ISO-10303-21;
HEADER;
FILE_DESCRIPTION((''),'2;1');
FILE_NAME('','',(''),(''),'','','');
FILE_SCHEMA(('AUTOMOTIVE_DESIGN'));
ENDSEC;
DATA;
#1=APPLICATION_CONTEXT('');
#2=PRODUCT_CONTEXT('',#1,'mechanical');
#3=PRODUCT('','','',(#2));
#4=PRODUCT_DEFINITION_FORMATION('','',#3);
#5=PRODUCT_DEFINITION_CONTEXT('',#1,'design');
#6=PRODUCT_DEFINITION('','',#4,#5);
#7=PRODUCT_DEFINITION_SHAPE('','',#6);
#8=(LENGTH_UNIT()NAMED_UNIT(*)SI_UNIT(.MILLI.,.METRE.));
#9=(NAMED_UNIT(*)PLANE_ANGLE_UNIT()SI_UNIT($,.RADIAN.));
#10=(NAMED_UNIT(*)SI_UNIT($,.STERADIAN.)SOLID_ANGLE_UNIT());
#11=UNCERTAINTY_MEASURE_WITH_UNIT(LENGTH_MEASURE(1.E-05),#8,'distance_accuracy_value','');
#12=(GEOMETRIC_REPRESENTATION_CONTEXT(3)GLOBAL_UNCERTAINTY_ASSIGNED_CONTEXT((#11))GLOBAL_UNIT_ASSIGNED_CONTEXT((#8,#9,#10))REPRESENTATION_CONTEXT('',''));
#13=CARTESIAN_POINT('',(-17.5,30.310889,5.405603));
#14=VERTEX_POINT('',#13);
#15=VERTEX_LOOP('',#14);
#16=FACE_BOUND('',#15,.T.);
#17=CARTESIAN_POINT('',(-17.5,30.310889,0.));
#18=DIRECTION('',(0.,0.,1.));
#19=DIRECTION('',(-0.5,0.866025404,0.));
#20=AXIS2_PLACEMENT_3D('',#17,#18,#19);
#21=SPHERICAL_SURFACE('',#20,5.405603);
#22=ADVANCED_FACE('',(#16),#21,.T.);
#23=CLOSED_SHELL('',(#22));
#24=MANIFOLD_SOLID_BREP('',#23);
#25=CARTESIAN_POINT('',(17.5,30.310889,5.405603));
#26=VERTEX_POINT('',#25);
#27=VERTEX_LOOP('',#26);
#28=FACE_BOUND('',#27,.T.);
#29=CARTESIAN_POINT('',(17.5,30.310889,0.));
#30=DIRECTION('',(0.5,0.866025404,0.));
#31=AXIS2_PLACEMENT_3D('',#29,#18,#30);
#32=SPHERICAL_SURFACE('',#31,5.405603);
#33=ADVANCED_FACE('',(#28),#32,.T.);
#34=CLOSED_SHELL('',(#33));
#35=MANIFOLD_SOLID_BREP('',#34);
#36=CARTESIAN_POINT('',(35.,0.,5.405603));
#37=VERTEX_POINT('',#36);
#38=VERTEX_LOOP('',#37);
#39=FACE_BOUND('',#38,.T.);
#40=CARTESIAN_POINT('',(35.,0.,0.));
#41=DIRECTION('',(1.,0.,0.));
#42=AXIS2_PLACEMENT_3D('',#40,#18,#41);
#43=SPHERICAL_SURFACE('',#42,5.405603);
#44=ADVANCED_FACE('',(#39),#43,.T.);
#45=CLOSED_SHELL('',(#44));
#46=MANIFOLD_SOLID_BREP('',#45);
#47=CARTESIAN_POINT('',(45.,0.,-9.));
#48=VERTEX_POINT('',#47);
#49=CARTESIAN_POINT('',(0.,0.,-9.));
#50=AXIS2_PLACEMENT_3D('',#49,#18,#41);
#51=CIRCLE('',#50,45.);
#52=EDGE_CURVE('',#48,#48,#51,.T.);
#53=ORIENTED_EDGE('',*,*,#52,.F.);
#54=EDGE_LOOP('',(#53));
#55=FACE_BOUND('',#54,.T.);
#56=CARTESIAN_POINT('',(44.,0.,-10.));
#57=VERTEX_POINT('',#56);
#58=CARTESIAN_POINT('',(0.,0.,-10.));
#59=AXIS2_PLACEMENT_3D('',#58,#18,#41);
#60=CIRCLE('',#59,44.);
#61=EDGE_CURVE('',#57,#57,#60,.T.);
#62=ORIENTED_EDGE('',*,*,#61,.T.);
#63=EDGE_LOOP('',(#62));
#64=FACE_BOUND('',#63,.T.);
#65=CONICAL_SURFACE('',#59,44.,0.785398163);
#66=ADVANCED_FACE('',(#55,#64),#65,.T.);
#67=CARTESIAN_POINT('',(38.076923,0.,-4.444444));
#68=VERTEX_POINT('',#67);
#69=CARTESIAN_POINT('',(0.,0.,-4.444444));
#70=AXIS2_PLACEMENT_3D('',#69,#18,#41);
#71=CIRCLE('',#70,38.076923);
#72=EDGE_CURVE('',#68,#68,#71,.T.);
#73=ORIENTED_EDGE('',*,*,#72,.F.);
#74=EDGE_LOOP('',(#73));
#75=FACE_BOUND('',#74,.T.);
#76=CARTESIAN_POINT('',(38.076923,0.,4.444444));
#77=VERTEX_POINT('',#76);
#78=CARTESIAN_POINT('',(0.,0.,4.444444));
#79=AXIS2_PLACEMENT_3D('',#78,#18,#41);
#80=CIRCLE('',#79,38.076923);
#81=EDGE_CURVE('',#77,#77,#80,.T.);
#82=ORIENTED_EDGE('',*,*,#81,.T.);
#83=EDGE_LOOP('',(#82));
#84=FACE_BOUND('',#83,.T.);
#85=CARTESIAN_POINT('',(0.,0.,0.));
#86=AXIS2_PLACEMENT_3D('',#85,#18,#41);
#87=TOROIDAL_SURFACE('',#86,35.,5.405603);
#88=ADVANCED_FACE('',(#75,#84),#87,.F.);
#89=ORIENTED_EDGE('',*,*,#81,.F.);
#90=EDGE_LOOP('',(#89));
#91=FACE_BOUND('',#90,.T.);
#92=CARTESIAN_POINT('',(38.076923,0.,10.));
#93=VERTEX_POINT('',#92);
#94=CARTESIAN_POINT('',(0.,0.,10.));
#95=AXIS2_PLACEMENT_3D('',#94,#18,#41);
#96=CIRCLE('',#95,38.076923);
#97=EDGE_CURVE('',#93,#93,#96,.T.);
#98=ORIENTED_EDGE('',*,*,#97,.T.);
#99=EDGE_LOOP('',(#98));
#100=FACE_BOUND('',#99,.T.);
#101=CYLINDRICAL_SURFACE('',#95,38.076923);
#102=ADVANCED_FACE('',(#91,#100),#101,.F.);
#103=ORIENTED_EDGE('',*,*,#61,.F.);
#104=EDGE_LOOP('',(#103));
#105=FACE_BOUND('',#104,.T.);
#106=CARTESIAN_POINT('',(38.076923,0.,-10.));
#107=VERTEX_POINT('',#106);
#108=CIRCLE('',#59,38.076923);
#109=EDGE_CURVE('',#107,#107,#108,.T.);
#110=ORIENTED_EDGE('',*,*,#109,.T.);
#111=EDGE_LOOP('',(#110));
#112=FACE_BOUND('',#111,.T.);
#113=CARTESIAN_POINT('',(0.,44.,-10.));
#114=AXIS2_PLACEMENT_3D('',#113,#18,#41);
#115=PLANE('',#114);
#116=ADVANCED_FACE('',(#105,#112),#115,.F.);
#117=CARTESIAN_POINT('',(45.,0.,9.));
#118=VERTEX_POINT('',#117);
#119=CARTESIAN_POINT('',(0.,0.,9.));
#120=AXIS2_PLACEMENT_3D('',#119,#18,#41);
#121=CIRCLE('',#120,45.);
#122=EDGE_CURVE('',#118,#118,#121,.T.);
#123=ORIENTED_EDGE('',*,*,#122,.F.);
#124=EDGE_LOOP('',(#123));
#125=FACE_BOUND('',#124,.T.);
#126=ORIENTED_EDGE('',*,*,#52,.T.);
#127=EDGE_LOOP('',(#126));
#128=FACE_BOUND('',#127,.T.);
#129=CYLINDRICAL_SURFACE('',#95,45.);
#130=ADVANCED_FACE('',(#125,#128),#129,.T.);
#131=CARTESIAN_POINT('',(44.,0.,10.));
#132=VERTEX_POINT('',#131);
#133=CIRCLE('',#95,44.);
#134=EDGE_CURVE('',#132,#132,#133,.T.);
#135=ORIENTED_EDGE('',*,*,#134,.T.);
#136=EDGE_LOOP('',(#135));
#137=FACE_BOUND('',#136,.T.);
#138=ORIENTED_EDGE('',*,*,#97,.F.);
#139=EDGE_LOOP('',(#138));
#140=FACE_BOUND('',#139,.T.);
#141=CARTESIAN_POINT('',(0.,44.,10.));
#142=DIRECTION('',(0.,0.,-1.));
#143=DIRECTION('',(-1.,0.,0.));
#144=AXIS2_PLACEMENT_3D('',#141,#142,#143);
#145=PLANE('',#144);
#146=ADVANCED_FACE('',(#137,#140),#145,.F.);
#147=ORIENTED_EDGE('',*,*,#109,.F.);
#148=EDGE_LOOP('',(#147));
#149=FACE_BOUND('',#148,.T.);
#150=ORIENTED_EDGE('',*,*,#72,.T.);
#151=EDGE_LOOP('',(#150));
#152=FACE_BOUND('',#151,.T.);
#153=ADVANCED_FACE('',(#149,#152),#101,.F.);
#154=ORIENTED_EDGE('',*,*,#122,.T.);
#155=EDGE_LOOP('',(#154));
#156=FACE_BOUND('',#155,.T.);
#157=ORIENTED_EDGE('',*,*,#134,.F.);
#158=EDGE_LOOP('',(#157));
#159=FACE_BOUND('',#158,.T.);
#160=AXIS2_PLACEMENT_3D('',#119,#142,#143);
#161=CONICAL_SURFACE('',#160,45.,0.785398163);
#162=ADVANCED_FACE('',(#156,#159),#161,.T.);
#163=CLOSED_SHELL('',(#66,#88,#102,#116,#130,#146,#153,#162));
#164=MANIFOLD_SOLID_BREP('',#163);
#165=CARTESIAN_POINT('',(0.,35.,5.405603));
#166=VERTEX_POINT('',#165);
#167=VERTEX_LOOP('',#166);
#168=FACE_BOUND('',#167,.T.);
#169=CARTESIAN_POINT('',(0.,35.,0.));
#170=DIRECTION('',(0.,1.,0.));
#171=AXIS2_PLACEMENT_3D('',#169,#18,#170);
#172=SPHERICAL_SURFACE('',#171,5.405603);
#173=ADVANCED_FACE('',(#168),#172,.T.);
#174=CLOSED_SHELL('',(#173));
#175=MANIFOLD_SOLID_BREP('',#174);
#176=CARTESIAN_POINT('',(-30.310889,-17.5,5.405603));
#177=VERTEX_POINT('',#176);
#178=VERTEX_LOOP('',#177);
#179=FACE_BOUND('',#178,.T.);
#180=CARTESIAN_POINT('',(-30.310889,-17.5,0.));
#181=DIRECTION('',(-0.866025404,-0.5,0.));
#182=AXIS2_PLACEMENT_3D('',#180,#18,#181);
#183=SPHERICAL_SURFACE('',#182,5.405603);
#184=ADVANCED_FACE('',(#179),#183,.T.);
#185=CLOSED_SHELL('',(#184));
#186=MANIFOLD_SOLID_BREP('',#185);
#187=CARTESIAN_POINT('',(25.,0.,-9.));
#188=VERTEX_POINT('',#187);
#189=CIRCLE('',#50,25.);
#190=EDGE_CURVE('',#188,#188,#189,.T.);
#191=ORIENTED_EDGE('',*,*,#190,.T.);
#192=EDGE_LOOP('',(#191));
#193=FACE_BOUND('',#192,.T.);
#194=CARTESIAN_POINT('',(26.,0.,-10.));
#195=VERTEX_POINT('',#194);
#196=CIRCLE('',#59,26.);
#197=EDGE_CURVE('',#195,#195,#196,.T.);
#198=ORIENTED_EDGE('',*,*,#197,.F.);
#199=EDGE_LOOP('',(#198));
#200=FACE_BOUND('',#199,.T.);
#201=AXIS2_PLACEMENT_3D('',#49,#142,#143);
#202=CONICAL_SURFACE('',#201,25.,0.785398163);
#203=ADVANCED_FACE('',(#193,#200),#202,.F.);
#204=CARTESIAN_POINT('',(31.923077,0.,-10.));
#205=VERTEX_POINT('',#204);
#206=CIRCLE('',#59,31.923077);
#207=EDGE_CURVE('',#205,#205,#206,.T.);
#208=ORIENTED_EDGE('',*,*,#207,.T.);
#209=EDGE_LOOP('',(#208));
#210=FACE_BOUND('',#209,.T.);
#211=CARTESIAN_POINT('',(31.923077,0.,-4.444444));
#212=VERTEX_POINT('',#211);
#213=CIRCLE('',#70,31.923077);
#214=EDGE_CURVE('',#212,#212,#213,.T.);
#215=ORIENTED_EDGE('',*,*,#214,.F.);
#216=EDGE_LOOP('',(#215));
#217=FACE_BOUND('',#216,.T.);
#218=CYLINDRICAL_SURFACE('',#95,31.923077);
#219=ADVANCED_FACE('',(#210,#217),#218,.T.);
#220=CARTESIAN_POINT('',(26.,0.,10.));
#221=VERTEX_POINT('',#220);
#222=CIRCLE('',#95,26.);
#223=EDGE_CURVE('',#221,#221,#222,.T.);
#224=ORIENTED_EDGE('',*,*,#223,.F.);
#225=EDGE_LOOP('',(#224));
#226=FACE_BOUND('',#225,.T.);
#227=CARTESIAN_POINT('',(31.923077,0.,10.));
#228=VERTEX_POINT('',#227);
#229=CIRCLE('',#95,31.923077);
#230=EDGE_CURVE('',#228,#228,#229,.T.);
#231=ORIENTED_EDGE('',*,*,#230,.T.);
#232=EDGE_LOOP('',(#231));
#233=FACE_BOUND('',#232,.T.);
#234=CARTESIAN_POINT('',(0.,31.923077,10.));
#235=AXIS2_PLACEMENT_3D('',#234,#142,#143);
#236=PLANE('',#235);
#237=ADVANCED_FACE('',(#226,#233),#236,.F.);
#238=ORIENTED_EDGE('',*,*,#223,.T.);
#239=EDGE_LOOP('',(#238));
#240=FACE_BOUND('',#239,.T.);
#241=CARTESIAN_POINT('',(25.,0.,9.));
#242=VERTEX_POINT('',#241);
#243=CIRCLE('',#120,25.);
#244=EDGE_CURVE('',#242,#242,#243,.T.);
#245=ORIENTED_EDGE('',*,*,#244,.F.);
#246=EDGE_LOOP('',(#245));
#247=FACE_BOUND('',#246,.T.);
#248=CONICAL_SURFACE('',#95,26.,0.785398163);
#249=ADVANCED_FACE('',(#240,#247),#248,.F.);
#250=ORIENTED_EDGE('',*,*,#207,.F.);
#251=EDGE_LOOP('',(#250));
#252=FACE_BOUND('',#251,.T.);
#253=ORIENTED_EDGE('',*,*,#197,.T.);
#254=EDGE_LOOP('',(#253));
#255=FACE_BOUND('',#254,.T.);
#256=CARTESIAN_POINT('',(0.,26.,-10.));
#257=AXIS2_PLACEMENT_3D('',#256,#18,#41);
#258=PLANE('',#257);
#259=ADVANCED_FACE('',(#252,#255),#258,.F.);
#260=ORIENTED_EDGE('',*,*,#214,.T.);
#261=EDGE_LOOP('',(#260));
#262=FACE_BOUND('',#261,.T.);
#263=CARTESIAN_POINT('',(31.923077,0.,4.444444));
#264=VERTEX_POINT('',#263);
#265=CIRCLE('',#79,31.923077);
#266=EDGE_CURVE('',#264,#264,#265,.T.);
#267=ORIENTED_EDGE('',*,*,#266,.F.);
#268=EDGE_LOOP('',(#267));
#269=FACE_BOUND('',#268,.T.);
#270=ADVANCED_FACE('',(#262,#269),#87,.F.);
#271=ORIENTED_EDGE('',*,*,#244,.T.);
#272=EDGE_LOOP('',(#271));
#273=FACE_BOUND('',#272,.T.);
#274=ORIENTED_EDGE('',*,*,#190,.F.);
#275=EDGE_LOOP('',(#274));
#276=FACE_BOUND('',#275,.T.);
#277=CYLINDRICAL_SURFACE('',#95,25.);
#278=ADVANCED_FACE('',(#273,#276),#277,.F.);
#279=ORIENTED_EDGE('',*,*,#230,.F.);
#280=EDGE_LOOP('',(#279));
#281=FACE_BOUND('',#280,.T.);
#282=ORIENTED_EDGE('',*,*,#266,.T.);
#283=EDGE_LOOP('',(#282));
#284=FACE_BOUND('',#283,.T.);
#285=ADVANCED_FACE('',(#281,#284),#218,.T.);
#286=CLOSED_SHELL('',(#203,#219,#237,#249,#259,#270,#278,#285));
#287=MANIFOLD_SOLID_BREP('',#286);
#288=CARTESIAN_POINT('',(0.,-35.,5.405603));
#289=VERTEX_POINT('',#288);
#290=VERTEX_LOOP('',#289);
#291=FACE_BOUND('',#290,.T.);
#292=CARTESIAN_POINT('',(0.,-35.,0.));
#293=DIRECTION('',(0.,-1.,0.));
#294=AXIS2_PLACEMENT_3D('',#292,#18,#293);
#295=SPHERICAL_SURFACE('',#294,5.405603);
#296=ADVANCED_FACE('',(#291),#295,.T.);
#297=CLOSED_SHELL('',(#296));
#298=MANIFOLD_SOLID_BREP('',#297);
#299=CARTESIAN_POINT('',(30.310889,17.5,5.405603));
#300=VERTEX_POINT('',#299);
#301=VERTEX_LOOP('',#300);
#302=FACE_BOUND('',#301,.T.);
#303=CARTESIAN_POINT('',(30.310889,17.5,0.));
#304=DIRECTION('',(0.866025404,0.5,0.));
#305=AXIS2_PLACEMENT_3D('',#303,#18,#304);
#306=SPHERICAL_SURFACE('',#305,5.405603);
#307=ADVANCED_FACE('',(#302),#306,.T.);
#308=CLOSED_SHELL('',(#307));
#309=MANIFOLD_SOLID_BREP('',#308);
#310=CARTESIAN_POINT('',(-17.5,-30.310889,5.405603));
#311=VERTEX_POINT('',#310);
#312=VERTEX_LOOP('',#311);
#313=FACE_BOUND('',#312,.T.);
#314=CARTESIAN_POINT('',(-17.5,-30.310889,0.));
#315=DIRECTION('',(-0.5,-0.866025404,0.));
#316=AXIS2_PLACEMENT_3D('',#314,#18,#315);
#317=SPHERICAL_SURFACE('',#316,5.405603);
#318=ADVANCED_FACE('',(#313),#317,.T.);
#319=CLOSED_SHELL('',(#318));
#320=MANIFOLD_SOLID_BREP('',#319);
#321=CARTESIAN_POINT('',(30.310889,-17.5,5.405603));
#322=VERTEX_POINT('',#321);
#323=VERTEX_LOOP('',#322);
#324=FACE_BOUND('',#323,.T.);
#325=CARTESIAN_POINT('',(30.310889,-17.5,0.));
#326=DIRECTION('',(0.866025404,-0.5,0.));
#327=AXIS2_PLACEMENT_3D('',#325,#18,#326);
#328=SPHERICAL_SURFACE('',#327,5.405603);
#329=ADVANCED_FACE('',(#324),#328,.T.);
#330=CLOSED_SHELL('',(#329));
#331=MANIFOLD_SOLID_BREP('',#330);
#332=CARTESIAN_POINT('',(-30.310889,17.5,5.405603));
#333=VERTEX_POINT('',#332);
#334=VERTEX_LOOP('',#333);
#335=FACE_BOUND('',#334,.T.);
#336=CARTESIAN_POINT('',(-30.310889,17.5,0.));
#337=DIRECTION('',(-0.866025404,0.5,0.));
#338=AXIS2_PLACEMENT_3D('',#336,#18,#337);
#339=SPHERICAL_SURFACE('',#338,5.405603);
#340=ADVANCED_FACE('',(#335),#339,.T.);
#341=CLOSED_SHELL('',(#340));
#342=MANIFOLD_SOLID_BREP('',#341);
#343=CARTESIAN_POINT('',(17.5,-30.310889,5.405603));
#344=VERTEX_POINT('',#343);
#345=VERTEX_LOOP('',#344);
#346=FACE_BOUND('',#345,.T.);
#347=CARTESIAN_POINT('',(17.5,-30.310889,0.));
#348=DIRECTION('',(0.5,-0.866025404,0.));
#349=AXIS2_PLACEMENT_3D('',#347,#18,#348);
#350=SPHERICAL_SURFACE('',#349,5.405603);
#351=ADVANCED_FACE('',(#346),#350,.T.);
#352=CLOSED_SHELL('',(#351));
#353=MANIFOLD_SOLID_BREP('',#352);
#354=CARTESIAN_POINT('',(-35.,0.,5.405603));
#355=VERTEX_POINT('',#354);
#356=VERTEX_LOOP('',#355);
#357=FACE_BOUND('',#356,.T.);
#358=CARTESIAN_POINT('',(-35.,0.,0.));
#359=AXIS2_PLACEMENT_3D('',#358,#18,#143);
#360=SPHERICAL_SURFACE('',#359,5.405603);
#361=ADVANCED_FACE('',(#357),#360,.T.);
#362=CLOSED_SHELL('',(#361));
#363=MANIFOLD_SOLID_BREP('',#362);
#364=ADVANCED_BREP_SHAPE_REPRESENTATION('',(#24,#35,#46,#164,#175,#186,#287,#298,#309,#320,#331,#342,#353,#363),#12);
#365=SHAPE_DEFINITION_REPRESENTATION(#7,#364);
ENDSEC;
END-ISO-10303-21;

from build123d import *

# Parameters (mm, degrees)
CIRPATTERN1_COUNT = 12


with BuildPart() as part:
    # Sketch1 → Revolve1 (revolve)
    with BuildSketch(Plane(origin=(0, 0, 0), x_dir=(0, 0, -1), z_dir=(1, 0, 0)), mode=Mode.PRIVATE) as revolve1_sk:
        with BuildLine():
            Line((9, 45), (-9, 45))
            Line((-9, 45), (-10, 44))
            Line((-10, 44), (-10, 38.076923077))
            Line((-10, 38.076923077), (-4.444444444, 38.076923077))
            ThreePointArc((-4.444444444, 38.076923077), (0, 40.405602838), (4.444444444, 38.076923077))
            Line((4.444444444, 38.076923077), (10, 38.076923077))
            Line((10, 38.076923077), (10, 44))
            Line((10, 44), (9, 45))
        make_face()
    revolve(revolve1_sk.sketch.rotate(Axis((0, 0, 10), (0, 0, -1)), 90), axis=Axis((0, 0, 10), (0, 0, -1)))


with BuildPart() as body_2:
    # Sketch3 → Revolve3 (revolve)
    with BuildSketch(Plane(origin=(0, 0, 0), x_dir=(0, 0, -1), z_dir=(1, 0, 0)), mode=Mode.PRIVATE) as revolve3_sk:
        with BuildLine():
            Line((-10, 31.923076923), (-4.444444444, 31.923076923))
            ThreePointArc((-4.444444444, 31.923076923), (0, 29.594397162), (4.444444444, 31.923076923))
            Line((4.444444444, 31.923076923), (10, 31.923076923))
            Line((10, 31.923076923), (10, 26))
            Line((10, 26), (9, 25))
            Line((9, 25), (-9, 25))
            Line((-9, 25), (-10, 26))
            Line((-10, 26), (-10, 31.923076923))
        make_face()
    revolve(revolve3_sk.sketch.rotate(Axis((0, 0, 10), (0, 0, -1)), 90), axis=Axis((0, 0, 10), (0, 0, -1)))


with BuildPart() as body_3:
    # Sketch4 → Revolve4 (revolve)
    with BuildSketch(Plane(origin=(0, 0, 0), x_dir=(0, 0, -1), z_dir=(1, 0, 0))):
        with BuildLine():
            Line((-5.405602838, 35), (5.405602838, 35))
            ThreePointArc((5.405602838, 35), (0, 40.405602838), (-5.405602838, 35))
        make_face()
    revolve(axis=Axis((0, 35, 5.405602838), (0, 0, -1)))


with BuildPart() as cirpattern1_1:
    # CirPattern1: pattern copy
    add(body_3.part.rotate(Axis((0, 0, 0), (0, 0, 1)), 1 * 360 / CIRPATTERN1_COUNT))


with BuildPart() as cirpattern1_2:
    # CirPattern1: pattern copy
    add(body_3.part.rotate(Axis((0, 0, 0), (0, 0, 1)), 2 * 360 / CIRPATTERN1_COUNT))


with BuildPart() as cirpattern1_3:
    # CirPattern1: pattern copy
    add(body_3.part.rotate(Axis((0, 0, 0), (0, 0, 1)), 3 * 360 / CIRPATTERN1_COUNT))


with BuildPart() as cirpattern1_4:
    # CirPattern1: pattern copy
    add(body_3.part.rotate(Axis((0, 0, 0), (0, 0, 1)), 4 * 360 / CIRPATTERN1_COUNT))


with BuildPart() as cirpattern1_5:
    # CirPattern1: pattern copy
    add(body_3.part.rotate(Axis((0, 0, 0), (0, 0, 1)), 5 * 360 / CIRPATTERN1_COUNT))


with BuildPart() as cirpattern1_6:
    # CirPattern1: pattern copy
    add(body_3.part.rotate(Axis((0, 0, 0), (0, 0, 1)), 6 * 360 / CIRPATTERN1_COUNT))


with BuildPart() as cirpattern1_7:
    # CirPattern1: pattern copy
    add(body_3.part.rotate(Axis((0, 0, 0), (0, 0, 1)), 7 * 360 / CIRPATTERN1_COUNT))


with BuildPart() as cirpattern1_8:
    # CirPattern1: pattern copy
    add(body_3.part.rotate(Axis((0, 0, 0), (0, 0, 1)), 8 * 360 / CIRPATTERN1_COUNT))


with BuildPart() as cirpattern1_9:
    # CirPattern1: pattern copy
    add(body_3.part.rotate(Axis((0, 0, 0), (0, 0, 1)), 9 * 360 / CIRPATTERN1_COUNT))


with BuildPart() as cirpattern1_10:
    # CirPattern1: pattern copy
    add(body_3.part.rotate(Axis((0, 0, 0), (0, 0, 1)), 10 * 360 / CIRPATTERN1_COUNT))


with BuildPart() as cirpattern1_11:
    # CirPattern1: pattern copy
    add(body_3.part.rotate(Axis((0, 0, 0), (0, 0, 1)), 11 * 360 / CIRPATTERN1_COUNT))


solid = Compound([part.part, body_2.part, body_3.part, cirpattern1_1.part, cirpattern1_2.part, cirpattern1_3.part, cirpattern1_4.part, cirpattern1_5.part, cirpattern1_6.part, cirpattern1_7.part, cirpattern1_8.part, cirpattern1_9.part, cirpattern1_10.part, cirpattern1_11.part])
